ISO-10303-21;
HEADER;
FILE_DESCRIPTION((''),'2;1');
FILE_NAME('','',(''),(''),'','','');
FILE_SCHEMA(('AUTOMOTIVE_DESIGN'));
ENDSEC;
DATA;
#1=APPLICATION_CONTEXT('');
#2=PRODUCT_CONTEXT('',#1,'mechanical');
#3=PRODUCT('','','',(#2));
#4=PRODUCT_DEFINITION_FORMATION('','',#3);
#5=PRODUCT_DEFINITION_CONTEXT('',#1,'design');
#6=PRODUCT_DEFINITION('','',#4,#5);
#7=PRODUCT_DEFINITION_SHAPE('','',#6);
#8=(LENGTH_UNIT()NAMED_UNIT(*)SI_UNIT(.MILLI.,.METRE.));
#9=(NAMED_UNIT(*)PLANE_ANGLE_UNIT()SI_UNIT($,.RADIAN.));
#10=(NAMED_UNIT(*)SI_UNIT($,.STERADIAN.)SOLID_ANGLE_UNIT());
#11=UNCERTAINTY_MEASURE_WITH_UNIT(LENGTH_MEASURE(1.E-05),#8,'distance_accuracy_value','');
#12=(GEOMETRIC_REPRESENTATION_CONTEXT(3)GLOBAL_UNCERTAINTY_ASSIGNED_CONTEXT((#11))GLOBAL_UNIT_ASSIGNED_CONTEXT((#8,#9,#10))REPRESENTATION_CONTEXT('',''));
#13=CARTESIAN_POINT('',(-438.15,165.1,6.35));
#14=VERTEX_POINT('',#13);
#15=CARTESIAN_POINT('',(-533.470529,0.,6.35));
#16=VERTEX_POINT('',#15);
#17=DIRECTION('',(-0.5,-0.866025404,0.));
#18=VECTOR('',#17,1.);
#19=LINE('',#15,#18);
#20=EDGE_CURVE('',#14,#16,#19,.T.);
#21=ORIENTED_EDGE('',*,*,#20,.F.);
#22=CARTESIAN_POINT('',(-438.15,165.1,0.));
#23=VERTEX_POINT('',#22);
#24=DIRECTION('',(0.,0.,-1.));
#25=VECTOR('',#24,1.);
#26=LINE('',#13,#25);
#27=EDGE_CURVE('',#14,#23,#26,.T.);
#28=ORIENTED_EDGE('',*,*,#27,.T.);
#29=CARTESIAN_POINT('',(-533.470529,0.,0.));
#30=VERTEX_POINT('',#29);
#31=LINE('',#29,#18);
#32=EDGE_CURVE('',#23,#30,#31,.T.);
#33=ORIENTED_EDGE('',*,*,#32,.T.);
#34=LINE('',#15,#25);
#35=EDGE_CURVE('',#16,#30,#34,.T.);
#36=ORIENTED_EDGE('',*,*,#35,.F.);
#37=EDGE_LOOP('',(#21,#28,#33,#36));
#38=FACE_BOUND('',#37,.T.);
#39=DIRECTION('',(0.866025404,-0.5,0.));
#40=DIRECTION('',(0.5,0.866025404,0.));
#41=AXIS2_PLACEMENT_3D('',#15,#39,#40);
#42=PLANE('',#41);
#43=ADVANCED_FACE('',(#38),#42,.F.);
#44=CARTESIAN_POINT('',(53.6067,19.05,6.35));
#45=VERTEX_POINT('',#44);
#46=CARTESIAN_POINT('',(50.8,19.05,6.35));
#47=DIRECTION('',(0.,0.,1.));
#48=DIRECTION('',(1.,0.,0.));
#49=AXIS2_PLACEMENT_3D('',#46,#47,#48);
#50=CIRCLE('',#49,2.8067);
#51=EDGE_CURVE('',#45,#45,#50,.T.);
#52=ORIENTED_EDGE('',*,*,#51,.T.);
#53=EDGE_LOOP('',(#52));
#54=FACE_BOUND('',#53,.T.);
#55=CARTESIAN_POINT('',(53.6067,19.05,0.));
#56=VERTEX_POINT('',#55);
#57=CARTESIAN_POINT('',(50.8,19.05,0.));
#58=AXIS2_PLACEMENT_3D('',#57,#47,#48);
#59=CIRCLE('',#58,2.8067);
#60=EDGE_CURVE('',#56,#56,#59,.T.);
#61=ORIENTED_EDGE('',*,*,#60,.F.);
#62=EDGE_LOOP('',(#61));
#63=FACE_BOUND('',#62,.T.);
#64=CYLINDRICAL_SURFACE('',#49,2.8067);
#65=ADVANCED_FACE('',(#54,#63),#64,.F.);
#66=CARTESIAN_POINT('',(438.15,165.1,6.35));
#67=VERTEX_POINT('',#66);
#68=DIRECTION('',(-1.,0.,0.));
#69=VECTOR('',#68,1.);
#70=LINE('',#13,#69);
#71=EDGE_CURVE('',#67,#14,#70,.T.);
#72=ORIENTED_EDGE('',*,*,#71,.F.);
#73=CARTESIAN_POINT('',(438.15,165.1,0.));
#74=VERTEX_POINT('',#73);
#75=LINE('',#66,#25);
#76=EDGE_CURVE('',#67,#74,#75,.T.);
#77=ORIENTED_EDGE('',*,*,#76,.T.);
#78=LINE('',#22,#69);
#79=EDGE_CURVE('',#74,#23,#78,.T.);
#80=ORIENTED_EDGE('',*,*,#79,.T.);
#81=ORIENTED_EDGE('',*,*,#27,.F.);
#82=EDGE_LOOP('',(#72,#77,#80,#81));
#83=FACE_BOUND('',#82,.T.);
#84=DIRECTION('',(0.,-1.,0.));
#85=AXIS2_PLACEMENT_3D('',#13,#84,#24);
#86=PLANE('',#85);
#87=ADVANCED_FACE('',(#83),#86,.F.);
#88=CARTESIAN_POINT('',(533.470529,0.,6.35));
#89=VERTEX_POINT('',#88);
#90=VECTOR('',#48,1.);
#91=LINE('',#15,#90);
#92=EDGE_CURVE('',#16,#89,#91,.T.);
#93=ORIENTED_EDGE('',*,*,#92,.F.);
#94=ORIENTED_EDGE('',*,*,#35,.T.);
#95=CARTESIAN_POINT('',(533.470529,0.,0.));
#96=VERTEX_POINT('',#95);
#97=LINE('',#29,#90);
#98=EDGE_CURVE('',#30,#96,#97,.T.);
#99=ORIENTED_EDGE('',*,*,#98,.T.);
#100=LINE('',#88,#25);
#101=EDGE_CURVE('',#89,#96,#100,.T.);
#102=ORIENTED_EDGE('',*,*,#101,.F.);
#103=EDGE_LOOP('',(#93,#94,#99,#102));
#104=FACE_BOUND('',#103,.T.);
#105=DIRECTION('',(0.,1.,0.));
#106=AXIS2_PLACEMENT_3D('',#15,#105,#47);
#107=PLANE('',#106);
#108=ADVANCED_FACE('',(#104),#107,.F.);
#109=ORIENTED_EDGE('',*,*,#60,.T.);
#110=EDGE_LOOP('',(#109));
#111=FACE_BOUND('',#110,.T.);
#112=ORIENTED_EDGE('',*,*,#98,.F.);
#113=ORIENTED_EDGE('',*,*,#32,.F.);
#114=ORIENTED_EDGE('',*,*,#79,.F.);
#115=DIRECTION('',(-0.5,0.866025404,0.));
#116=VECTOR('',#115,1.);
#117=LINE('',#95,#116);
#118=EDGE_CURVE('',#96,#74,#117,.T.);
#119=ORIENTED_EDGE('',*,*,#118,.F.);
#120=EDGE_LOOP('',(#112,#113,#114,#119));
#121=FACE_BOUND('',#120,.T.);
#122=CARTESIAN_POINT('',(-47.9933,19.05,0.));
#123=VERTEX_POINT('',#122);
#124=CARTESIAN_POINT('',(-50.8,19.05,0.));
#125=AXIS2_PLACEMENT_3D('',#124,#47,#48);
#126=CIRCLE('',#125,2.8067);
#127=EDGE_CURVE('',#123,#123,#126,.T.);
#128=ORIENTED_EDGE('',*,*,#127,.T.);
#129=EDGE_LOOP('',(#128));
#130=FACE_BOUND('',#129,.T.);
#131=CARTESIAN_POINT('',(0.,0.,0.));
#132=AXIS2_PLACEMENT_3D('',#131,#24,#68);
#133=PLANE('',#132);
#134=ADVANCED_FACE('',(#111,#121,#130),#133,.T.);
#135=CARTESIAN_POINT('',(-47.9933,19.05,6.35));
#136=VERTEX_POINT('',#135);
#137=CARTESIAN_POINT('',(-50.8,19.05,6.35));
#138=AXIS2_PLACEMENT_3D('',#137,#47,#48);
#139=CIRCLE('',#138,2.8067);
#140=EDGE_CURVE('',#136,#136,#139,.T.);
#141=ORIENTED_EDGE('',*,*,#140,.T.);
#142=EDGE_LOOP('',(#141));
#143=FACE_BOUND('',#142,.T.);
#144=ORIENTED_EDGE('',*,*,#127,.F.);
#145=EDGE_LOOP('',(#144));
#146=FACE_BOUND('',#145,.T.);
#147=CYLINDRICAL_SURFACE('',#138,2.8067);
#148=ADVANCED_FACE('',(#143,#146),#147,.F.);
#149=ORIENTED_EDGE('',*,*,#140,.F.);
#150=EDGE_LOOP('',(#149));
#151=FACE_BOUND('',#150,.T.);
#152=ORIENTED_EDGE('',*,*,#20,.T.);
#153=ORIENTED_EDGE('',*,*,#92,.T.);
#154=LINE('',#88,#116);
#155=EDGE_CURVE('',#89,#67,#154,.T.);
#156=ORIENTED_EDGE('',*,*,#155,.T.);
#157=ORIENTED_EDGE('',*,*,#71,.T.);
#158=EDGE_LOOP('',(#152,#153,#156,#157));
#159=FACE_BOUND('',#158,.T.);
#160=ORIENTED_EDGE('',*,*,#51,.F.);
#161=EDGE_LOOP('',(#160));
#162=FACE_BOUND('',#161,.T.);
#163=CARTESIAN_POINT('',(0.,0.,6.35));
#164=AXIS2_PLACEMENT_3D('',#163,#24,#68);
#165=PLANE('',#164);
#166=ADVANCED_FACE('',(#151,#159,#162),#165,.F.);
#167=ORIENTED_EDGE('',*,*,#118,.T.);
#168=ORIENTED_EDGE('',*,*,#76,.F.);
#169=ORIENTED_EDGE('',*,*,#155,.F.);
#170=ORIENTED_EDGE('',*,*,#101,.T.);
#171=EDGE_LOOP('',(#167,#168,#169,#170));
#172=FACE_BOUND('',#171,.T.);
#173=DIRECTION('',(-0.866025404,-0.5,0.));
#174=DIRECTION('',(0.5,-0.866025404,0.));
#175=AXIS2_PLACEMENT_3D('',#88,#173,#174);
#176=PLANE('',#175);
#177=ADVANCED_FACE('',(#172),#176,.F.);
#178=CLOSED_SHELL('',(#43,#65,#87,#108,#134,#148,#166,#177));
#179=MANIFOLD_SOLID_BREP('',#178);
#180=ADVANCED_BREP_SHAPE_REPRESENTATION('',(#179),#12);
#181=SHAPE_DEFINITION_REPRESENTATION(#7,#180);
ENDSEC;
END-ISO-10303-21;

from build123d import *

# Parameters (mm, degrees)
BOSS_EXTRUDE1_DEPTH    = 6.35
F_10_CLEARANCE_HOLE1_D = 5.6134


with BuildPart() as part:
    # Sketch1 → Boss-Extrude1 (new body)
    with BuildSketch(Plane.XY):
        Polygon((-533.470529443, 0), (533.470529443, 0), (438.15, 165.1), (-438.15, 165.1), align=None)
    extrude(amount=BOSS_EXTRUDE1_DEPTH)

    # #10 Clearance Hole1 (through all)
    with Locations(Plane.XY.offset(6.35)):
        with Locations((-50.8, 19.05), (50.8, 19.05)):
            Hole(F_10_CLEARANCE_HOLE1_D / 2)


solid = part.part
